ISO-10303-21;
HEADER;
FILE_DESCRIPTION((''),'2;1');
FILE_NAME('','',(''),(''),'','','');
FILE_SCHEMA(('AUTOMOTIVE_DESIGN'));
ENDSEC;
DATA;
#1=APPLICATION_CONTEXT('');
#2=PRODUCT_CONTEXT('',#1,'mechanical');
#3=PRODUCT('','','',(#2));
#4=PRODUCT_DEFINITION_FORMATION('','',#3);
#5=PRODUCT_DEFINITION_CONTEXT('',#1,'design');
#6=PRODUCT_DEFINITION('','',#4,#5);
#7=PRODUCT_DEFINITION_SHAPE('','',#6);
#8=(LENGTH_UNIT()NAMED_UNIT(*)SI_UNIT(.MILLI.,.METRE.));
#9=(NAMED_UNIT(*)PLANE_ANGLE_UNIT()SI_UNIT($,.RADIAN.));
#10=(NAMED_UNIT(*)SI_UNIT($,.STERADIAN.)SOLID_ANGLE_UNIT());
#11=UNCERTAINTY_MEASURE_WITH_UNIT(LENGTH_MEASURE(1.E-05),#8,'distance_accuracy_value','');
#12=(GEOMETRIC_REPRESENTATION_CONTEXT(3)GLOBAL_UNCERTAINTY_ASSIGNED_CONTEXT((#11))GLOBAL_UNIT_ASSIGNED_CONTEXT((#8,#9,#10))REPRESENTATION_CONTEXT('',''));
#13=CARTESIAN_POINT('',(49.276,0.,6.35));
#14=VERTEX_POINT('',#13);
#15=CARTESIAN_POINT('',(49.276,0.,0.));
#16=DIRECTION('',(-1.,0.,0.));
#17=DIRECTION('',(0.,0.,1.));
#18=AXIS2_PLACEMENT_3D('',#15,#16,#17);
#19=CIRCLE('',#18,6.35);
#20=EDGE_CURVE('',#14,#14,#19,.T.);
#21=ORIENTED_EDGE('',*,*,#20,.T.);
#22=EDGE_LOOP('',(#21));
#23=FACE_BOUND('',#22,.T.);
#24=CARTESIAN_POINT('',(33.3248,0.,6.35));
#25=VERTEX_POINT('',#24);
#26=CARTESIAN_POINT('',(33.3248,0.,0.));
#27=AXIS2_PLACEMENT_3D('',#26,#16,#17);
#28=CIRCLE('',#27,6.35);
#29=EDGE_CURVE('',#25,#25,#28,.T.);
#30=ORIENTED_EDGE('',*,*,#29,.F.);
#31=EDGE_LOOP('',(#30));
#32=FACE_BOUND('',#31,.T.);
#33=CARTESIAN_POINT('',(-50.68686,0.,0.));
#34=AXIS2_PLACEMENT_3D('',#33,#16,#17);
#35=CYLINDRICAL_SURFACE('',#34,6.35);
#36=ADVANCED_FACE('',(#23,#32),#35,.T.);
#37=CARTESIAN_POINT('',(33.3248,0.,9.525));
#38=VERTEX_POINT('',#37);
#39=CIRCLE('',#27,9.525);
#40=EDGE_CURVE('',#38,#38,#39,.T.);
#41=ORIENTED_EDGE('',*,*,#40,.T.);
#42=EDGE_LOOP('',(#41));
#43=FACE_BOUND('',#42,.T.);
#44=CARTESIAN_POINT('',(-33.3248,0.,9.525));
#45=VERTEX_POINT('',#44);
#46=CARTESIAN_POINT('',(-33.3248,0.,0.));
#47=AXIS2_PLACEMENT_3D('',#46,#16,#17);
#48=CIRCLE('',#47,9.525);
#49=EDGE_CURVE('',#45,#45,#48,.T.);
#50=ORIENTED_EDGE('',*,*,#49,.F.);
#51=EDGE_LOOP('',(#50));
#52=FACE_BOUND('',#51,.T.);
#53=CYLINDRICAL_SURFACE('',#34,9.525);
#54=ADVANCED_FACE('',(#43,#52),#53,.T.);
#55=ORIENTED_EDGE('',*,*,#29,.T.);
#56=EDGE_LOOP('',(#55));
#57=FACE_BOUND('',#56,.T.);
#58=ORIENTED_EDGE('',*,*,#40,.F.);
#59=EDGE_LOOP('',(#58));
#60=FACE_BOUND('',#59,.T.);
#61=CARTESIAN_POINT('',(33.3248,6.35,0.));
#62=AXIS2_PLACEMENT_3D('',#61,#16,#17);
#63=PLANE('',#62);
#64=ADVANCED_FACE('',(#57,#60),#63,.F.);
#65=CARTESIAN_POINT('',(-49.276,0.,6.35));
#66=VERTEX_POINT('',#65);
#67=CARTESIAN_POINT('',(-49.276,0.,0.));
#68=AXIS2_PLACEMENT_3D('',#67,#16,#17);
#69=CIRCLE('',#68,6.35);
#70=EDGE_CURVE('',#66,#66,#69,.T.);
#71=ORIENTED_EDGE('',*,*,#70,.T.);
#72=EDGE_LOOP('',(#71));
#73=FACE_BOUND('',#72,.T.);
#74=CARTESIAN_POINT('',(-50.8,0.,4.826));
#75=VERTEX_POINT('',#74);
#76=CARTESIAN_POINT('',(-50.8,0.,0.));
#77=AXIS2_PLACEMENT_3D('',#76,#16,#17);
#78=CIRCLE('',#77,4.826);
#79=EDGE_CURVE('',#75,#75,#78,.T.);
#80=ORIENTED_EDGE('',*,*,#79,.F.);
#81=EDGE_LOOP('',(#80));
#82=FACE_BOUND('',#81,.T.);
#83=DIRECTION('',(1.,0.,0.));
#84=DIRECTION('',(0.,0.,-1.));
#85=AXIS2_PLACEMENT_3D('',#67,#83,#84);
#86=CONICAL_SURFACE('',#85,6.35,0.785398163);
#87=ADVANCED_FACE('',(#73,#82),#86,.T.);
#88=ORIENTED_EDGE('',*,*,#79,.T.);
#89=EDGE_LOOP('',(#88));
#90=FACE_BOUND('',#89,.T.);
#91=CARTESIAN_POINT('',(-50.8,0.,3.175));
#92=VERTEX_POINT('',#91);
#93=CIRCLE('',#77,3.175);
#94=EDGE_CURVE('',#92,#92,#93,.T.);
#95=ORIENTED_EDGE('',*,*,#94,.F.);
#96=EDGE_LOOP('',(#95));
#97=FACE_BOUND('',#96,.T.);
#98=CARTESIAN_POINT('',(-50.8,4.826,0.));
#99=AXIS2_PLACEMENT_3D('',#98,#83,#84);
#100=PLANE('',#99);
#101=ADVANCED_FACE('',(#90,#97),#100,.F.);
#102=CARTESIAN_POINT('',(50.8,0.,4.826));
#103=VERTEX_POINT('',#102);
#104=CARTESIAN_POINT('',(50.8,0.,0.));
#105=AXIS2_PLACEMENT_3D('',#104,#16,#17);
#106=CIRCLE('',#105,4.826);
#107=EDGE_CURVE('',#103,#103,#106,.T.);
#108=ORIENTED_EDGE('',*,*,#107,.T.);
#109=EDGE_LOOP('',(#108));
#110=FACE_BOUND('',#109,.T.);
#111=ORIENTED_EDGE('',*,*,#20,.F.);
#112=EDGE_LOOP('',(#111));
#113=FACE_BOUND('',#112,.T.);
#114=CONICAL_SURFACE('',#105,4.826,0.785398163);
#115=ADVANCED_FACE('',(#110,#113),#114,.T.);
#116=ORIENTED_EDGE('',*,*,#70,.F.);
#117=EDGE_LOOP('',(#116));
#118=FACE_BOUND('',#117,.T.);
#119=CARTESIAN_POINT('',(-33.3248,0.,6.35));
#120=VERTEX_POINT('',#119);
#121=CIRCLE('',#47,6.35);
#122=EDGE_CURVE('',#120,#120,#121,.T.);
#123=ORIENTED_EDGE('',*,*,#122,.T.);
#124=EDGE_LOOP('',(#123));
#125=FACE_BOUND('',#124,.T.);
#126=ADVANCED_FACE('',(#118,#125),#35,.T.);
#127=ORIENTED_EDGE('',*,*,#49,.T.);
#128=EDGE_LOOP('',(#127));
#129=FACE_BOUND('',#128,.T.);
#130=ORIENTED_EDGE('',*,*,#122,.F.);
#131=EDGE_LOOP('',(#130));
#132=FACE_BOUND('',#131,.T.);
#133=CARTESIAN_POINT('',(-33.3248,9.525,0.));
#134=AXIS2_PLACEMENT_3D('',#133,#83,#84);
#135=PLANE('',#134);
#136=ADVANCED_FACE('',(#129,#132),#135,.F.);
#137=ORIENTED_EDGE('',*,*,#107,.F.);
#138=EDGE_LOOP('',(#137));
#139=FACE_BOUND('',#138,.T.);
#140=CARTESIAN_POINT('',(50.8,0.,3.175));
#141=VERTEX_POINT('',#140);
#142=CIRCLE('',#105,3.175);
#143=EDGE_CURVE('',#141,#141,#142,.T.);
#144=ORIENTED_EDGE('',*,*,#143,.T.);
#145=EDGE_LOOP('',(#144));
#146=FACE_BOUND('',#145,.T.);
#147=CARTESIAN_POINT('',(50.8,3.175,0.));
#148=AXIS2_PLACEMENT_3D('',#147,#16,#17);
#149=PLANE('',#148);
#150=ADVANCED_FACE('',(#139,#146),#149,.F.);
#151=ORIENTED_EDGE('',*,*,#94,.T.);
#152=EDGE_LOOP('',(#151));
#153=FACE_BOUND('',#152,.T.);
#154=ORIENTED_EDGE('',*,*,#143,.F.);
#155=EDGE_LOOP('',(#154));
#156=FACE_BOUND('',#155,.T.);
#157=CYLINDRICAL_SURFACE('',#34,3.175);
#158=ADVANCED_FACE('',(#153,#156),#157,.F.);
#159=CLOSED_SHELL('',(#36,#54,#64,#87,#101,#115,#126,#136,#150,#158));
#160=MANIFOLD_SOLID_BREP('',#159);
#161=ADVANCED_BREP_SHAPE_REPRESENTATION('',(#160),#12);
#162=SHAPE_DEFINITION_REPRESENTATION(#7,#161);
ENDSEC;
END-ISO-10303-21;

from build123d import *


with BuildPart() as part:
    # Sketch2 → Revolve1 (revolve)
    with BuildSketch(Plane.XY, mode=Mode.PRIVATE) as revolve1_sk:
        Polygon((-50.8, 3.175), (50.8, 3.175), (50.8, 4.826), (49.276, 6.35), (33.3248, 6.35), (33.3248, 9.525), (-33.3248, 9.525), (-33.3248, 6.35), (-49.276, 6.35), (-50.8, 4.826), align=None)
    revolve(revolve1_sk.sketch.rotate(Axis((-50.686859688, 0, 0), (1, 0, 0)), 90), axis=Axis((-50.686859688, 0, 0), (1, 0, 0)))


solid = part.part
